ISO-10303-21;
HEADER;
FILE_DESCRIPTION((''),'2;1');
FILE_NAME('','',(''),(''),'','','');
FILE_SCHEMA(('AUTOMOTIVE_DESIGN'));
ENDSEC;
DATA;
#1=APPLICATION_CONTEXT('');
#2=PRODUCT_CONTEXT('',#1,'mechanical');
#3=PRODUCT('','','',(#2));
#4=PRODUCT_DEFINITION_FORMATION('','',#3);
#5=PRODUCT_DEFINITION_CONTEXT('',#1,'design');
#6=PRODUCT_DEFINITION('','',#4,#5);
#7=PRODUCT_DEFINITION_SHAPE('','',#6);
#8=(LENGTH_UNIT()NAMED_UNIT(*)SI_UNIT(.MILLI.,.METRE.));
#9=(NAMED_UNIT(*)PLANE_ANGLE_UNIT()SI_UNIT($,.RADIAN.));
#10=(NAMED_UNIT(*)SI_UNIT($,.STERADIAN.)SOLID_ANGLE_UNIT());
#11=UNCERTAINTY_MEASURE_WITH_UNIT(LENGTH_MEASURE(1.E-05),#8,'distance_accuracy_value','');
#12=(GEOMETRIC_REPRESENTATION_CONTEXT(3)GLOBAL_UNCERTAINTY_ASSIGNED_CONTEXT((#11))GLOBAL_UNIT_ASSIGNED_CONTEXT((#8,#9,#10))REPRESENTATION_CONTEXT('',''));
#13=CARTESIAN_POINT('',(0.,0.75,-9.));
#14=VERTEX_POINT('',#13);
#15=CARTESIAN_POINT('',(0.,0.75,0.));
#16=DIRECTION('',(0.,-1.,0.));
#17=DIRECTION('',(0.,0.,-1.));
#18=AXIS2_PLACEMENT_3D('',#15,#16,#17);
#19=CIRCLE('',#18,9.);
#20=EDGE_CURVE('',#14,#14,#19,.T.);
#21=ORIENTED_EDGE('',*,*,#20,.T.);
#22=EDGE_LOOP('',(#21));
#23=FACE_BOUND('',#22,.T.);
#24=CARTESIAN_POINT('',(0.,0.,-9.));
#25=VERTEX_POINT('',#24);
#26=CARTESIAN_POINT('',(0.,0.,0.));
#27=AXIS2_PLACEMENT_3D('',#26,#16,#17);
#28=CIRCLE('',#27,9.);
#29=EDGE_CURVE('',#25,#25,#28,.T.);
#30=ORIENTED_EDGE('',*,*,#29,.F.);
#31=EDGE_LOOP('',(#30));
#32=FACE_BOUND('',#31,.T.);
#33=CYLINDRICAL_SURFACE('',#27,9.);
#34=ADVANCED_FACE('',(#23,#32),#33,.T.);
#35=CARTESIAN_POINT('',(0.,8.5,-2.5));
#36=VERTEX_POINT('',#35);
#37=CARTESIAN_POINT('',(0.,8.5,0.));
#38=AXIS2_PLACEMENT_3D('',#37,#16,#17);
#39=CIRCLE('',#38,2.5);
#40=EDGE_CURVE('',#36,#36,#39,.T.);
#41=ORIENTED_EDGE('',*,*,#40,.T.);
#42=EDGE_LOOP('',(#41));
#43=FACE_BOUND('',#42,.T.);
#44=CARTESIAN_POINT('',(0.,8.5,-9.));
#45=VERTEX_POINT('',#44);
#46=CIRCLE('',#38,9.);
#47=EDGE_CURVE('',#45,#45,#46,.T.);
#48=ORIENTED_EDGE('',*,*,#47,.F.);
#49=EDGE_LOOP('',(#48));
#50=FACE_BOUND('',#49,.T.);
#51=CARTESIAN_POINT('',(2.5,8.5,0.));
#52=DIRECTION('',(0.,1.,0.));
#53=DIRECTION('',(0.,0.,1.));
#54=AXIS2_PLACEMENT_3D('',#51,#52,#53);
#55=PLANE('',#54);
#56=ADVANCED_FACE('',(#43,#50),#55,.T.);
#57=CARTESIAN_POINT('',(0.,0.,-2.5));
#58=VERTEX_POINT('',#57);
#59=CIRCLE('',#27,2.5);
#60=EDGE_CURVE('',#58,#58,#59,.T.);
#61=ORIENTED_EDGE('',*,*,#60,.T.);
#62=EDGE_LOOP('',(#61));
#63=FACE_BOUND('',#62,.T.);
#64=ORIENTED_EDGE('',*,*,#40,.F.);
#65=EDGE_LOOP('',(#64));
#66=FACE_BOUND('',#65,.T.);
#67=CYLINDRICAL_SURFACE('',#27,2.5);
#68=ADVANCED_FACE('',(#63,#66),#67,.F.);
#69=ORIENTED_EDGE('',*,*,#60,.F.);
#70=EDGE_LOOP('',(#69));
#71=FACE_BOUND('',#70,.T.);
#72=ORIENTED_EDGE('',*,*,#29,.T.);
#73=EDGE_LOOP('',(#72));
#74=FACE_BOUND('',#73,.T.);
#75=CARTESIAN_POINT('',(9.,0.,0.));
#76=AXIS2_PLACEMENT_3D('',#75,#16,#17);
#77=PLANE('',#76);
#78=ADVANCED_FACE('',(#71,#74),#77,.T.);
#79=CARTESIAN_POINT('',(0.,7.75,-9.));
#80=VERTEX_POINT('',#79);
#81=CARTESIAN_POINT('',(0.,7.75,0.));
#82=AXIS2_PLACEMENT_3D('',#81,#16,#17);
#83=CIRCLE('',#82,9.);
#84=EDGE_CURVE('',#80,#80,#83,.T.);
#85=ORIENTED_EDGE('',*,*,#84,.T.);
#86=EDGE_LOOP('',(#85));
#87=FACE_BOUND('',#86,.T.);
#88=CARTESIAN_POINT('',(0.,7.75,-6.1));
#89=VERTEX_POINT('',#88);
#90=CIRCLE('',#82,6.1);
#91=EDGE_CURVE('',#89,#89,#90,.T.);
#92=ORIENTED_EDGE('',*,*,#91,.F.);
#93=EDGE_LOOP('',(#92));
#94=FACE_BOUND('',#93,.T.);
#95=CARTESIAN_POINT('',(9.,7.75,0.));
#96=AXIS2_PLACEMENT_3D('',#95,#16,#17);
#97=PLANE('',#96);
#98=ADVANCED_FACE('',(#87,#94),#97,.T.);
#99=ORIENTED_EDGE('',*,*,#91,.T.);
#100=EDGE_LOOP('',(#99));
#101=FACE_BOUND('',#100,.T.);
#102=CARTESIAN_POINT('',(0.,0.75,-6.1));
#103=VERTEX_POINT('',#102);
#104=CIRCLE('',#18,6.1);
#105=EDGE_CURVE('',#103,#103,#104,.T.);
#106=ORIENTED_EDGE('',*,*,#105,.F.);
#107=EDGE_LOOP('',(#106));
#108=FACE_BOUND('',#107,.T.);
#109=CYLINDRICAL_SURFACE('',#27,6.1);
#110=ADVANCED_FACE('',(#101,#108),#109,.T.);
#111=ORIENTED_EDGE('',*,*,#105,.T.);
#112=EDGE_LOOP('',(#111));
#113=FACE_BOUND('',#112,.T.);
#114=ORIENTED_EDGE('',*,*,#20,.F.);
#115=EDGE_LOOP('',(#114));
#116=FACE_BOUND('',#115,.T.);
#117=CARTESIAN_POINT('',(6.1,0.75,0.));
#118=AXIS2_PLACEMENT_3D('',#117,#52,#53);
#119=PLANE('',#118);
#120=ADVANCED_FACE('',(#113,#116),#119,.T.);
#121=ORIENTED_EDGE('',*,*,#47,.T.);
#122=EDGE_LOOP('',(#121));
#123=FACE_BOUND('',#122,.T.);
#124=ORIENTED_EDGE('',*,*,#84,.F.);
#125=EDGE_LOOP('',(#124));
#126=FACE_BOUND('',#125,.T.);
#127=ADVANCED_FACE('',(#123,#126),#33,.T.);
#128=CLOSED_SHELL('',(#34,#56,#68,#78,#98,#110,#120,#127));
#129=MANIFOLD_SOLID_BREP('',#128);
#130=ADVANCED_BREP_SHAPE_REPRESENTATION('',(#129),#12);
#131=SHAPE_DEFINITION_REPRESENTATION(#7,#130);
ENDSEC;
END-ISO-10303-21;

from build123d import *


with BuildPart() as part:
    # Sketch1 → Revolve1 (revolve)
    with BuildSketch(Plane.XY):
        Polygon((2.5, 0), (2.5, 8.5), (9, 8.5), (9, 7.75), (6.1, 7.75), (6.1, 0.75), (9, 0.75), (9, 0), align=None)
    revolve(axis=Axis((0, 0, 0), (0, 1, 0)))


solid = part.part
